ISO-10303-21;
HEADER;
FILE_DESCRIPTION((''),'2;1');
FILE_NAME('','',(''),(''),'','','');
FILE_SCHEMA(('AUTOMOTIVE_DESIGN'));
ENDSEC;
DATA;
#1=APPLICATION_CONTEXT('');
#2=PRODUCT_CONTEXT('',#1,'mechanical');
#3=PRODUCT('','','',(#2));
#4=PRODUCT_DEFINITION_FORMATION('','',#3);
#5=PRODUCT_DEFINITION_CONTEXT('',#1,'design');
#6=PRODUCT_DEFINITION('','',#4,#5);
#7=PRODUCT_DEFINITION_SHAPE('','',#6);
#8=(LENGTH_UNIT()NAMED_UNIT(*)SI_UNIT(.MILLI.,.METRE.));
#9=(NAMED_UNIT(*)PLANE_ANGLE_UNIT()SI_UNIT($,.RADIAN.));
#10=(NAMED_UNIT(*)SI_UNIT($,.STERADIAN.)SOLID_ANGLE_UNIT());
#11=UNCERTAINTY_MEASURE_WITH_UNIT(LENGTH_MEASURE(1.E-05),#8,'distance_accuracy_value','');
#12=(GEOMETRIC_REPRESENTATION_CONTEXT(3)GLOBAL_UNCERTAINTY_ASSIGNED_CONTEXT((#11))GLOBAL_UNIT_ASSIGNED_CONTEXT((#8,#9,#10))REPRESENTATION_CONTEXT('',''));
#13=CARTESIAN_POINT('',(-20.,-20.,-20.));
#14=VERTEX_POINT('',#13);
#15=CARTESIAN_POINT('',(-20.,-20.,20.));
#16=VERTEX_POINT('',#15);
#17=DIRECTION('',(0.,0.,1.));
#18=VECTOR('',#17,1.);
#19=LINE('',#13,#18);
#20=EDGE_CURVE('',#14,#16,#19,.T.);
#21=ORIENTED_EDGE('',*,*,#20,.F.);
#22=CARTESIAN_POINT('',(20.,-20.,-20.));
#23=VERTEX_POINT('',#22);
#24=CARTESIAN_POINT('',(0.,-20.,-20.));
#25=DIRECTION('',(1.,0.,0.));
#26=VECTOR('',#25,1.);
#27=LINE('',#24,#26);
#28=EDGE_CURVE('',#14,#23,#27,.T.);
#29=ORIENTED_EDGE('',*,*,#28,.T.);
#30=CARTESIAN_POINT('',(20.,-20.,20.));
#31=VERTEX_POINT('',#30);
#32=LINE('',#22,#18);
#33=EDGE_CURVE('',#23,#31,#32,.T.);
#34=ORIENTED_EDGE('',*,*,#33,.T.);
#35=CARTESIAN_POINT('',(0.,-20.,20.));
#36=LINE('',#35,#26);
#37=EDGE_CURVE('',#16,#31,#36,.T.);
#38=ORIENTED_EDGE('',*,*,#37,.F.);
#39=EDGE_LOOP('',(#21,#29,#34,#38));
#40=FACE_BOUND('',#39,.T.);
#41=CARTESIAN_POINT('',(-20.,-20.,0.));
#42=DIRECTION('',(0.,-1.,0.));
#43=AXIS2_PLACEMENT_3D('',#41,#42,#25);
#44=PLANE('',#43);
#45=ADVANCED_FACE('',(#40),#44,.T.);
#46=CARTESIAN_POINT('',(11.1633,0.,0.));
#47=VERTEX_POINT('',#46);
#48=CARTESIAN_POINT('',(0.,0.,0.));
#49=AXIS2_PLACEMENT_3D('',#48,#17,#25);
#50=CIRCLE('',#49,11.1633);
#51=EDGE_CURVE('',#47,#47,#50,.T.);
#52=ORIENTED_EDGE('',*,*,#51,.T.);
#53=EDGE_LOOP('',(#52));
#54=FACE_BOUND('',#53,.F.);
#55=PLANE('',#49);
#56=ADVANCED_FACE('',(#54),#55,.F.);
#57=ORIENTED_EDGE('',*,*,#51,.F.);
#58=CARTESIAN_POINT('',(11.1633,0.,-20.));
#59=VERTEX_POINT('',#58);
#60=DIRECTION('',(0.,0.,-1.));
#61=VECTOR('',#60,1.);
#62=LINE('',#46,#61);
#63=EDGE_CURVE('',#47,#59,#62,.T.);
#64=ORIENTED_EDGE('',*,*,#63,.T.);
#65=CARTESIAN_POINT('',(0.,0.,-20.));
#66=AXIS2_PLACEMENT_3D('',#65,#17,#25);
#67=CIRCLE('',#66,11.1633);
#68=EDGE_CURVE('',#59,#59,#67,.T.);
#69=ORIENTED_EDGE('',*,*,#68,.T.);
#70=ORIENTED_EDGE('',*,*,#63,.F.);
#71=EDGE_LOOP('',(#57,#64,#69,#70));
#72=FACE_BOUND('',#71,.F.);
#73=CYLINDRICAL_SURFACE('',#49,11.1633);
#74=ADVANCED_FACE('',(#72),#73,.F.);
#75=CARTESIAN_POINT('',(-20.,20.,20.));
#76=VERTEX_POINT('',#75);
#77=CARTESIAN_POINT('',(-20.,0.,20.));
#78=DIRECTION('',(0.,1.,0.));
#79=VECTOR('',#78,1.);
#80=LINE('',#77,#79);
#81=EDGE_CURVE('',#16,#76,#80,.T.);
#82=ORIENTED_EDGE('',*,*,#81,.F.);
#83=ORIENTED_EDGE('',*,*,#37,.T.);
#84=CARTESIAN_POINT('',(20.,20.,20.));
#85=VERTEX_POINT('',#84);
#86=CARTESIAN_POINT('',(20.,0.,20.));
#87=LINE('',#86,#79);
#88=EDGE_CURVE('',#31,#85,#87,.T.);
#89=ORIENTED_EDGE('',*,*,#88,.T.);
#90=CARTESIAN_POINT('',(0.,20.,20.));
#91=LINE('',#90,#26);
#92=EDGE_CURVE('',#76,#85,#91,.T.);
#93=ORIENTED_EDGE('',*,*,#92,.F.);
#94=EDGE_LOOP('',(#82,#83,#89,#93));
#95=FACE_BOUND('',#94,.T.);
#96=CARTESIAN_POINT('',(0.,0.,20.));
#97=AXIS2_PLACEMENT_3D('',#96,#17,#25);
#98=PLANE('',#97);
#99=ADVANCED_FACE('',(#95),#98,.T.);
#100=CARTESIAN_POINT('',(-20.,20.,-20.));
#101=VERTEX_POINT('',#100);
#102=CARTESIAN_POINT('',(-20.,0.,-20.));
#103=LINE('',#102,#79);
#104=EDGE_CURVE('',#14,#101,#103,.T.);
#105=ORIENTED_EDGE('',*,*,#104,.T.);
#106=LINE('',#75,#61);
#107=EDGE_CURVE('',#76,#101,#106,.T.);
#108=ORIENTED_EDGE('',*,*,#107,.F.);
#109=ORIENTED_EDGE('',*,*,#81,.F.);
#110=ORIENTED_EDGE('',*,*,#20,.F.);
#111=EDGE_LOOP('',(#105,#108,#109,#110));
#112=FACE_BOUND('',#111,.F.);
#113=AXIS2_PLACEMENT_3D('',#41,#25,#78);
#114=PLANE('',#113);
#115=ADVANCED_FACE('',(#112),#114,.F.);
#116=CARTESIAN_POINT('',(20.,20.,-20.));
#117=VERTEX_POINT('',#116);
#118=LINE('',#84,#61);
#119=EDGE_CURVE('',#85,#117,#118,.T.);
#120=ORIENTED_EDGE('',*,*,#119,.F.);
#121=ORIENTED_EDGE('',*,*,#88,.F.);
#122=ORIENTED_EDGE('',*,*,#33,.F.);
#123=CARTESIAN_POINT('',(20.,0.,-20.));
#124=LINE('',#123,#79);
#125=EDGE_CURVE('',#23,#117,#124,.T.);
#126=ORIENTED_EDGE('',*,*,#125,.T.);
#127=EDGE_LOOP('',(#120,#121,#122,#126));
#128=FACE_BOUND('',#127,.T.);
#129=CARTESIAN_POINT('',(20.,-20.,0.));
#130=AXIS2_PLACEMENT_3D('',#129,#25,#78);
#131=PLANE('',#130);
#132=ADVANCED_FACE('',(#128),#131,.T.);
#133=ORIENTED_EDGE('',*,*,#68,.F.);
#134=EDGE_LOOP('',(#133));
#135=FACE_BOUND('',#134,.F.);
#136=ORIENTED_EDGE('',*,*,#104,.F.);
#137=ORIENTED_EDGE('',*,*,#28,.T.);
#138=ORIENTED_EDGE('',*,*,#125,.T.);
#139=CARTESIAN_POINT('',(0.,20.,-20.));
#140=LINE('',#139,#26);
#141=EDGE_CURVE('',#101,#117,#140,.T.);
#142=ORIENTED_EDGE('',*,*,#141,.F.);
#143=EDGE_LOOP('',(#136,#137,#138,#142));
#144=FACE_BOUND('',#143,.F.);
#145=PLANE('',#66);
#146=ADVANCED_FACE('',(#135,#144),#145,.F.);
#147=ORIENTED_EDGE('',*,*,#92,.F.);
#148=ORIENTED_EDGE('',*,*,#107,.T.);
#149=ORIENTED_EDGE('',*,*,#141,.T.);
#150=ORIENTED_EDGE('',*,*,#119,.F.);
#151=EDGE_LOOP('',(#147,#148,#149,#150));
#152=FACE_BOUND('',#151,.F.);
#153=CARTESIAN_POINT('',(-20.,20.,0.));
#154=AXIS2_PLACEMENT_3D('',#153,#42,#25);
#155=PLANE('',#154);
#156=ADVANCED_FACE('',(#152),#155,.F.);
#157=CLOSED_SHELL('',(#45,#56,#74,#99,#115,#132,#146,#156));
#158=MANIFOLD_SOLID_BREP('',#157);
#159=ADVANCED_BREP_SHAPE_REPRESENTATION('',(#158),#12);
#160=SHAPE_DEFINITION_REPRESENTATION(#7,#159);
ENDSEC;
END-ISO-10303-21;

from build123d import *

# Parameters (mm, degrees)
F0_W     = 40
F0_H     = 40
F1_DEPTH = 20
F2_D     = 22.3266
F2_DEPTH = 20.001


with BuildPart() as f1:
    # F0 (on Top) → F1 (new body, symmetric)
    with BuildSketch(Plane.XY):
        Rectangle(F0_W, F0_H)
    extrude(amount=F1_DEPTH, both=True)

    # F2 (through all, one way)
    with BuildSketch(Plane.XY):
        with Locations((0, 0)):
            Circle(F2_D / 2)
    extrude(amount=-F2_DEPTH, mode=Mode.SUBTRACT)


solid = f1.part
